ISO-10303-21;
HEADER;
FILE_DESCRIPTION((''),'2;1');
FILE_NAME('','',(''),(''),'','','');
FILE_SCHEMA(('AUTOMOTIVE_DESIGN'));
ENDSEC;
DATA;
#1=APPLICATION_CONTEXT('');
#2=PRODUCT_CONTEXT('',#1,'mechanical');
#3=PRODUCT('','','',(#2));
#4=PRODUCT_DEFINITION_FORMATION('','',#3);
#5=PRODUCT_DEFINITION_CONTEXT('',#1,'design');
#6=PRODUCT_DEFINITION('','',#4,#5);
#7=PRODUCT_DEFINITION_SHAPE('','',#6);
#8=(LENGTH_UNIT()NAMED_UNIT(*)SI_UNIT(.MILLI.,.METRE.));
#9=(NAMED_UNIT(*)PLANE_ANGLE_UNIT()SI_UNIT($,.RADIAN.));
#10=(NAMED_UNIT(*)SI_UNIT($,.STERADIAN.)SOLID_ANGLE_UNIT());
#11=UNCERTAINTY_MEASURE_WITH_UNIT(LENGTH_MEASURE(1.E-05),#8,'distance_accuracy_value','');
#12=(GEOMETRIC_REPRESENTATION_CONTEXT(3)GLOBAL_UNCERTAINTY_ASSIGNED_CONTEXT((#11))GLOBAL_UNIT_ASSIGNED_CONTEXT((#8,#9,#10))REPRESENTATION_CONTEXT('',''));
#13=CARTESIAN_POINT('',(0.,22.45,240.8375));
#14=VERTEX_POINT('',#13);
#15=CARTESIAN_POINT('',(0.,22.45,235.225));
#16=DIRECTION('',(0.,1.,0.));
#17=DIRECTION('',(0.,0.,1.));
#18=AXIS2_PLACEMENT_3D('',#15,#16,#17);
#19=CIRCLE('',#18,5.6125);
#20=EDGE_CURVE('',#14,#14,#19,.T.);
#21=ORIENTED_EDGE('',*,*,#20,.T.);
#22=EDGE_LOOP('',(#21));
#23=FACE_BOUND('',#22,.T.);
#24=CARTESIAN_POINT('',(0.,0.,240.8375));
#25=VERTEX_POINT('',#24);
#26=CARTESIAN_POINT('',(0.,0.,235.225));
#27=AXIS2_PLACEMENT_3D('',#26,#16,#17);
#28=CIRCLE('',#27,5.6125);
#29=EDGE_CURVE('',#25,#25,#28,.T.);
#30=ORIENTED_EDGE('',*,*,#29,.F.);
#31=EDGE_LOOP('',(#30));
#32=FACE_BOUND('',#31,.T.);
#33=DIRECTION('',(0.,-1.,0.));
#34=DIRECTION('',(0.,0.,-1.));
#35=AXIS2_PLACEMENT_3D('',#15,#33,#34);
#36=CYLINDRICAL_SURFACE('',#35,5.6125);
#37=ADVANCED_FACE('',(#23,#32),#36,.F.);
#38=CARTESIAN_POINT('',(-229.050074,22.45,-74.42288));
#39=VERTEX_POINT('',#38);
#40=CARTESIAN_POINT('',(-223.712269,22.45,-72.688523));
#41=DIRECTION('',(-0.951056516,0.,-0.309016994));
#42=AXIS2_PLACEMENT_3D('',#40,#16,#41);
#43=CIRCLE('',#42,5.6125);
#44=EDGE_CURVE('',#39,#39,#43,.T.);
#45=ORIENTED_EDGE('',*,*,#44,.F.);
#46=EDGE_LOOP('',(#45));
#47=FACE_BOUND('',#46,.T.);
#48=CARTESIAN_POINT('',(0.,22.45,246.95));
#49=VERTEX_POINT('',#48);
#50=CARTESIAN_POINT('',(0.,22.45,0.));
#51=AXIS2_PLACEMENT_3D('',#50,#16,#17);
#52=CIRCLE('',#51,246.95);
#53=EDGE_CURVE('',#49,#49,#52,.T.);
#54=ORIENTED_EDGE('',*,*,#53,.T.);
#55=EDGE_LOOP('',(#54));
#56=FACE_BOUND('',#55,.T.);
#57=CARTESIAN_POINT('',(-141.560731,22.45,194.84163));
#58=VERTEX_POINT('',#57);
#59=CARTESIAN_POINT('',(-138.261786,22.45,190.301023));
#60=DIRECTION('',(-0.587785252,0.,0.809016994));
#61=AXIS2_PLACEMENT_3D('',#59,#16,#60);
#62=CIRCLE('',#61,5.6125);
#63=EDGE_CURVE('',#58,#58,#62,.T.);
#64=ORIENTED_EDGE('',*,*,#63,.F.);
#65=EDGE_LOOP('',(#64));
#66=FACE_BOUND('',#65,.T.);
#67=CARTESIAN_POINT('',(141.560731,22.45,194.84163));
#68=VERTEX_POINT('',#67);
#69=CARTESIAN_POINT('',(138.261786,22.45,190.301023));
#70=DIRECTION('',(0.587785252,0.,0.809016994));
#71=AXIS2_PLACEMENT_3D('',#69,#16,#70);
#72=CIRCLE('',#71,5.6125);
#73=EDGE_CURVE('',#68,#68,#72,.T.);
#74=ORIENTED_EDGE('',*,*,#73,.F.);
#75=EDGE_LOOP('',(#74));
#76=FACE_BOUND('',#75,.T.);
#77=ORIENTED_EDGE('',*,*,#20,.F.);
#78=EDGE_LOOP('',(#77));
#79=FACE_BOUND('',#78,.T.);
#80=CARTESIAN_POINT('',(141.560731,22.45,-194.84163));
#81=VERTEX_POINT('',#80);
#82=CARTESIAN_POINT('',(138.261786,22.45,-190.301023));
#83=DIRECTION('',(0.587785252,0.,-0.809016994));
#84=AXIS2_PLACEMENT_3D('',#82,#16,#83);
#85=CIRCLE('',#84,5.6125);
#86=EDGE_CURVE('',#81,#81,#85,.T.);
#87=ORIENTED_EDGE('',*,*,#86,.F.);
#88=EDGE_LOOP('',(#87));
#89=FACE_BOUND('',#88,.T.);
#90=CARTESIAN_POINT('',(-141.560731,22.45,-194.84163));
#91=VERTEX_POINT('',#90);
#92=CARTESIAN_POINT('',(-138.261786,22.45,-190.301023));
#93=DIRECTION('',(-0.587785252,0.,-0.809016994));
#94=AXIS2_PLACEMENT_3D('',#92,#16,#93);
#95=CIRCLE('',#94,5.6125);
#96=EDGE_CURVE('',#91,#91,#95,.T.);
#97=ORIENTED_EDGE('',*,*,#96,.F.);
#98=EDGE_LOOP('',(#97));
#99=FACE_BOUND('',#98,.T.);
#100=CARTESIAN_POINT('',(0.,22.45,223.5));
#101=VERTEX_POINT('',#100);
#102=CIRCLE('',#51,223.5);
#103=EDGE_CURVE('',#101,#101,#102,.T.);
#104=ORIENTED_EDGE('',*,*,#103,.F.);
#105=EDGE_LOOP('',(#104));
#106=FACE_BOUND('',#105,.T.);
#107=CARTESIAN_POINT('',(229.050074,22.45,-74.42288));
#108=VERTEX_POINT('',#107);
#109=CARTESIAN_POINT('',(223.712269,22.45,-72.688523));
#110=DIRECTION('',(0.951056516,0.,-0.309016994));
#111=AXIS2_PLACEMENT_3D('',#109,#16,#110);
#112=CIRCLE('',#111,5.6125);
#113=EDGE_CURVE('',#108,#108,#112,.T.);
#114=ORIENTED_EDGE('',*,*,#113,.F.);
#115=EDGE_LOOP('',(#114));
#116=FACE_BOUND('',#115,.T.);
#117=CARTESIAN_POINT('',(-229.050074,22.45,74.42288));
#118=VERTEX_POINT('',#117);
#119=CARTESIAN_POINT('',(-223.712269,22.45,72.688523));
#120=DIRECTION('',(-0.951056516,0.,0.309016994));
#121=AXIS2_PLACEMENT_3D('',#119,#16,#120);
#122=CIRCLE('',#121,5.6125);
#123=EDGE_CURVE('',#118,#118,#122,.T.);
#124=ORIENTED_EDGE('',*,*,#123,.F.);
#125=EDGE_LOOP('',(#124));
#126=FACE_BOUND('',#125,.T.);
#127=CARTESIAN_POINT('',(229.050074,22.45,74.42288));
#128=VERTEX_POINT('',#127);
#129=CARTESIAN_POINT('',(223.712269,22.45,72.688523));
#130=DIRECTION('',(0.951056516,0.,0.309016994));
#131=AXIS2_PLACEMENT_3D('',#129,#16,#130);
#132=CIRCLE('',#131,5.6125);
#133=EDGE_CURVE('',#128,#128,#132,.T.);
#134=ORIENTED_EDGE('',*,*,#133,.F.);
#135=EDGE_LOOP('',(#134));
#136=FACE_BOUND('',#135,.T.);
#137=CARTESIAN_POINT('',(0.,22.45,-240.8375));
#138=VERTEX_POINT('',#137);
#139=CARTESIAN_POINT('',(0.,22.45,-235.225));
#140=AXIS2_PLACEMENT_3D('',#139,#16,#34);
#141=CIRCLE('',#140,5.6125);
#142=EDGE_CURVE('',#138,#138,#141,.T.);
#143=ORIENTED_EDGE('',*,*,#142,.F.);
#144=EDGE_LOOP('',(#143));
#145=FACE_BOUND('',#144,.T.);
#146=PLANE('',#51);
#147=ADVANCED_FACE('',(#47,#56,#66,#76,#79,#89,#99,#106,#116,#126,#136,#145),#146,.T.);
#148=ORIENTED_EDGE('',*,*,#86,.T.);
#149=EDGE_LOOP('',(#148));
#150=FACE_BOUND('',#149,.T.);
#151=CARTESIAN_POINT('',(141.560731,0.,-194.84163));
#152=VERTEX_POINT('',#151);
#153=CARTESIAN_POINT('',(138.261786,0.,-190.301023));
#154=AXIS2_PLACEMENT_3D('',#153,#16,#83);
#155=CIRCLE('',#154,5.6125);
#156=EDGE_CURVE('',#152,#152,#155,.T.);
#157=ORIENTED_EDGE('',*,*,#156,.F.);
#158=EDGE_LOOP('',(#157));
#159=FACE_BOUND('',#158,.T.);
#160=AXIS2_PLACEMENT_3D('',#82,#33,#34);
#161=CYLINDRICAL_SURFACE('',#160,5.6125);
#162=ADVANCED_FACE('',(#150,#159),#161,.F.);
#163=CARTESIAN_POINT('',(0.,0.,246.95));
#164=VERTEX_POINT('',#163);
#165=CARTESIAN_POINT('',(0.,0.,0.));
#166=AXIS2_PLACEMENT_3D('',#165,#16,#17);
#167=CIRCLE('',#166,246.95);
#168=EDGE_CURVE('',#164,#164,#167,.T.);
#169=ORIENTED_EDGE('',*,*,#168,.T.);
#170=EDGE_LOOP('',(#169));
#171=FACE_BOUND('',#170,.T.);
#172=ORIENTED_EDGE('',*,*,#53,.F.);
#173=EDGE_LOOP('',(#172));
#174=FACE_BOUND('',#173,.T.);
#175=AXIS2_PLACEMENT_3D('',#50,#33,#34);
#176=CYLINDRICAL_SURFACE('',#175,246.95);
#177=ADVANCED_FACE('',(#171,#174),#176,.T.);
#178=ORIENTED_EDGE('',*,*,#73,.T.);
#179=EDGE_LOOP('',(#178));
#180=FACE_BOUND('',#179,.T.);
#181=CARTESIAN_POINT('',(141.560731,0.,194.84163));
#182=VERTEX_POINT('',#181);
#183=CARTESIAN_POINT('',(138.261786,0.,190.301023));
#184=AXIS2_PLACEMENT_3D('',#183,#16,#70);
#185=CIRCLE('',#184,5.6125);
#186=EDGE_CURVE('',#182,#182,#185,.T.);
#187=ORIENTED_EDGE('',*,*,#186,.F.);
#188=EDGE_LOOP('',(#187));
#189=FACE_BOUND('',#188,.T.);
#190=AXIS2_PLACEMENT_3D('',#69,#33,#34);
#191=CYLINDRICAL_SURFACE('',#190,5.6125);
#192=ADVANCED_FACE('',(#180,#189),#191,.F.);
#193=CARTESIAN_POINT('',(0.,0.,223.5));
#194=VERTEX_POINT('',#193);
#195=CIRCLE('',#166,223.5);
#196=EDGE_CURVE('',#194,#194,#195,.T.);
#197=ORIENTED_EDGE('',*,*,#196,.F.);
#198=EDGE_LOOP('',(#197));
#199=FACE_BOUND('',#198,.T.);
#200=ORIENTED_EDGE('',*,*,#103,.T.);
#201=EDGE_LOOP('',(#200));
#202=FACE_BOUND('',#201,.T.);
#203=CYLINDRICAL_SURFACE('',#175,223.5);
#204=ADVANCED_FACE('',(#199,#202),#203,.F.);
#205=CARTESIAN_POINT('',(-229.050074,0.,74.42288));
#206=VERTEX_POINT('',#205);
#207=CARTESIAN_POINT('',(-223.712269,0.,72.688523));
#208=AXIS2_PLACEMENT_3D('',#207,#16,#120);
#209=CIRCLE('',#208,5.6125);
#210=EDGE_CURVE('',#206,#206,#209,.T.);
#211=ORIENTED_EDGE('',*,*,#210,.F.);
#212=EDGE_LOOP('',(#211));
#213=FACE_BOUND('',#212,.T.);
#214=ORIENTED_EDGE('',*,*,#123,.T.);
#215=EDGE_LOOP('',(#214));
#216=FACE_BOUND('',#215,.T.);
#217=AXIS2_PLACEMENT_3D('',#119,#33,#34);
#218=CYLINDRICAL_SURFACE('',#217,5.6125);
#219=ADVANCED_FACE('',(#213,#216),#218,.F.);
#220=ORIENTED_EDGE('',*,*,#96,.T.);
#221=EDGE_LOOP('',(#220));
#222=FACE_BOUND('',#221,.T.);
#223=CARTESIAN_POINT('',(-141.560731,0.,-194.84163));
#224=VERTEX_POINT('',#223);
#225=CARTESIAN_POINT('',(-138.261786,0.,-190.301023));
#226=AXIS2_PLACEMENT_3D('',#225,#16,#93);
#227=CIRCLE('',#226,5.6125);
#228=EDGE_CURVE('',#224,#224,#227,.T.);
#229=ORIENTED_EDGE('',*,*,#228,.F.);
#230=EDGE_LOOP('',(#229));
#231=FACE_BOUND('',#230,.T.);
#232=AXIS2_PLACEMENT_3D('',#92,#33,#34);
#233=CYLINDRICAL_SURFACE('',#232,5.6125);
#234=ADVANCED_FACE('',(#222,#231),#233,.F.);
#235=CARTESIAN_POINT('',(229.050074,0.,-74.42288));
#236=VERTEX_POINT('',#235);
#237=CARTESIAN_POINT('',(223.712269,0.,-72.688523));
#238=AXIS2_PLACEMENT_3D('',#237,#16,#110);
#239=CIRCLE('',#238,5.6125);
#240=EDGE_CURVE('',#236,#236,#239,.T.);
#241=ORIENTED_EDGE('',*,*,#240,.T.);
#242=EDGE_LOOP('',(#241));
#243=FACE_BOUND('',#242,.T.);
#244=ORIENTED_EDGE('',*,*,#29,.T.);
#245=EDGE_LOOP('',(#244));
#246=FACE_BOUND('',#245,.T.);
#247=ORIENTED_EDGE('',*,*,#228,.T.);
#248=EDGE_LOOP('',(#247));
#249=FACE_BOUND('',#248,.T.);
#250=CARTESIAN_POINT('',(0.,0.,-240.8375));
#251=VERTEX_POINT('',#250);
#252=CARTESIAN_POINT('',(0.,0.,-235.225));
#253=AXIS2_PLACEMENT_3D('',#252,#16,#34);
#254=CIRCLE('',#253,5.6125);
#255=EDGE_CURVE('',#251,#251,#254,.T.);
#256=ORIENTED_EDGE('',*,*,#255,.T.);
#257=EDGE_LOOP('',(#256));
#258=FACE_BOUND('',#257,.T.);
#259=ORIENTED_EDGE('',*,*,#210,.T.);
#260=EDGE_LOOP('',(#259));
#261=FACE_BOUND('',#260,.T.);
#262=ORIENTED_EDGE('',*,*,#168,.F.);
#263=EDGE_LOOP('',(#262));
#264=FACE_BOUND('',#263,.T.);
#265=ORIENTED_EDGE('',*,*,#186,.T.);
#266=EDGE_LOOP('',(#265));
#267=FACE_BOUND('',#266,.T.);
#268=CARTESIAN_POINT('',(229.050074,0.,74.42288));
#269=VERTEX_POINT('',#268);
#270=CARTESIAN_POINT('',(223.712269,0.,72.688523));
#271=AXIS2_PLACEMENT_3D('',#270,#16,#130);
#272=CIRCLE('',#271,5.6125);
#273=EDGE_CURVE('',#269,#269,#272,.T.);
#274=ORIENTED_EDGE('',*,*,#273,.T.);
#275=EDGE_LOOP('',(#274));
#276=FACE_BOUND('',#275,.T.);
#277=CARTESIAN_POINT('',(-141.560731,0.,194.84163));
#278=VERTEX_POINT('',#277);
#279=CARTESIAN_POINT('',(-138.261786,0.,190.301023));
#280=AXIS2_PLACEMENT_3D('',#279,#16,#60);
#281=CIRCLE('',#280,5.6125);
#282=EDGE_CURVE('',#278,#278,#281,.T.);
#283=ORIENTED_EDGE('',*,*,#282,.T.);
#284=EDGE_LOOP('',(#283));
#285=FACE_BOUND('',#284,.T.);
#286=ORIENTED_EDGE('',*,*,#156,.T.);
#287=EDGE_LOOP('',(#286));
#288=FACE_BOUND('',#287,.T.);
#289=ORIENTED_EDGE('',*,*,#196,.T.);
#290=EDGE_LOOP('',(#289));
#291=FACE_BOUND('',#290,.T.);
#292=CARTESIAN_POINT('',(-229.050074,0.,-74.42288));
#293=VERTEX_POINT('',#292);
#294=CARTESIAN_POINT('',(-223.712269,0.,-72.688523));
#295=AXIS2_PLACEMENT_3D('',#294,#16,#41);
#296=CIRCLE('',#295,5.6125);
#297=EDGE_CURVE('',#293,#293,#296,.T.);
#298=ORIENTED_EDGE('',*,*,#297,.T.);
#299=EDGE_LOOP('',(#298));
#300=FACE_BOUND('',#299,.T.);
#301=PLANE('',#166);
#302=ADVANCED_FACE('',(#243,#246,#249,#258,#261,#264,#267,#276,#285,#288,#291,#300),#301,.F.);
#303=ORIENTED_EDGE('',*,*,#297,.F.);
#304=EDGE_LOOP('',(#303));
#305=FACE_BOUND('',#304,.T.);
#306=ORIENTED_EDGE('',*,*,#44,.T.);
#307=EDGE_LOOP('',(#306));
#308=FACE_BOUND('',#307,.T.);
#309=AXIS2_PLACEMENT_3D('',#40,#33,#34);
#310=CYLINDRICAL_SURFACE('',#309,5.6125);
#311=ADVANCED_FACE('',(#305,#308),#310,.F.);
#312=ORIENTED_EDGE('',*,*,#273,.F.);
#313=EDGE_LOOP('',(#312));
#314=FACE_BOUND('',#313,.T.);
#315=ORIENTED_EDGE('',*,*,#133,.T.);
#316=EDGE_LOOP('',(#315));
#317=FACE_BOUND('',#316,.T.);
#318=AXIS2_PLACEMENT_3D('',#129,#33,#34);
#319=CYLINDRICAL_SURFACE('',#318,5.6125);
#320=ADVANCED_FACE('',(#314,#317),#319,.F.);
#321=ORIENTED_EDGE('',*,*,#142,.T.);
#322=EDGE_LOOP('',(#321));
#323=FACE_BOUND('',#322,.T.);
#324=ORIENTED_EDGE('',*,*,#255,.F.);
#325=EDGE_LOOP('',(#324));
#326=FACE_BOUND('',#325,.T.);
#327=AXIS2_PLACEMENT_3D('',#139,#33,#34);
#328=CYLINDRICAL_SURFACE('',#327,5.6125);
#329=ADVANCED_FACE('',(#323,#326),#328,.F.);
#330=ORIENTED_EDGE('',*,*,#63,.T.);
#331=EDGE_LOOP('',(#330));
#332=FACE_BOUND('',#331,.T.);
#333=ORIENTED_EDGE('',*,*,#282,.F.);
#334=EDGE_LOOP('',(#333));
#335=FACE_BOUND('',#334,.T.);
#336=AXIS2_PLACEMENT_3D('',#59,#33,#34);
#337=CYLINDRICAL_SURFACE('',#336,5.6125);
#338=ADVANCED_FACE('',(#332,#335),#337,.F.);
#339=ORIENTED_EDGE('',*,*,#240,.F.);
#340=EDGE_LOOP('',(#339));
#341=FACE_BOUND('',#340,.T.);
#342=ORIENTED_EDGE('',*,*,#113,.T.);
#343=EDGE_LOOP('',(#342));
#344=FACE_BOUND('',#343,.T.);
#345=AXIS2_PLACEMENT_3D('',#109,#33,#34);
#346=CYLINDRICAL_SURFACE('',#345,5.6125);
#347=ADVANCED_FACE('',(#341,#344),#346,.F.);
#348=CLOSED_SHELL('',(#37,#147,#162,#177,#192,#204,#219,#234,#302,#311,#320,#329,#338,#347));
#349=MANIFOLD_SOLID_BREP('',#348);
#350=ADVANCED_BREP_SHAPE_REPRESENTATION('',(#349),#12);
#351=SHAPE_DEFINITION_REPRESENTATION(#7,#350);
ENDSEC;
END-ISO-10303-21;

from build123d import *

# Parameters (mm, degrees)
SKETCH_1_R               = 246.95
SKETCH_1_R_2             = 223.5
EXTRUDE_5_DEPTH          = 22.45
SKETCH_1_5_R             = 5.6125
CUT_EXTRUDE_1_DEPTH      = 350.960865669
PATTERN_CIRCULAR_2_COUNT = 10


with BuildPart() as part:
    # Эскиз1 → Бобышка-Вытянуть5 (new body)
    with BuildSketch(Plane(origin=(0, 0, 0), x_dir=(1, 0, 0), z_dir=(0, 1, 0))):
        with Locations(Location((0, 0, 0), (0, 0, 270))):
            Circle(SKETCH_1_R)
        with Locations(Location((0, 0, 0), (0, 0, 270))):
            Circle(SKETCH_1_R_2, mode=Mode.SUBTRACT)
    extrude(amount=EXTRUDE_5_DEPTH)

    # Эскиз1<5> → Вырез-Вытянуть1 (cut, through all)
    with BuildSketch(Plane(origin=(0, 0, 0), x_dir=(1, 0, 0), z_dir=(0, 1, 0))):
        with Locations(Location((0, -235.225, 0), (0, 0, 270))):
            Circle(SKETCH_1_5_R)
    cut_extrude_1 = extrude(amount=CUT_EXTRUDE_1_DEPTH, mode=Mode.SUBTRACT)

    # Круговой массив2: Вырез-Вытянуть1 ×10 about axis
    pattern_circular_2_axis = Axis((0, 0, 0), (0, 1, 0))
    for i in range(1, PATTERN_CIRCULAR_2_COUNT):
        add(cut_extrude_1.rotate(pattern_circular_2_axis, i * 360 / PATTERN_CIRCULAR_2_COUNT), mode=Mode.SUBTRACT)


solid = part.part
